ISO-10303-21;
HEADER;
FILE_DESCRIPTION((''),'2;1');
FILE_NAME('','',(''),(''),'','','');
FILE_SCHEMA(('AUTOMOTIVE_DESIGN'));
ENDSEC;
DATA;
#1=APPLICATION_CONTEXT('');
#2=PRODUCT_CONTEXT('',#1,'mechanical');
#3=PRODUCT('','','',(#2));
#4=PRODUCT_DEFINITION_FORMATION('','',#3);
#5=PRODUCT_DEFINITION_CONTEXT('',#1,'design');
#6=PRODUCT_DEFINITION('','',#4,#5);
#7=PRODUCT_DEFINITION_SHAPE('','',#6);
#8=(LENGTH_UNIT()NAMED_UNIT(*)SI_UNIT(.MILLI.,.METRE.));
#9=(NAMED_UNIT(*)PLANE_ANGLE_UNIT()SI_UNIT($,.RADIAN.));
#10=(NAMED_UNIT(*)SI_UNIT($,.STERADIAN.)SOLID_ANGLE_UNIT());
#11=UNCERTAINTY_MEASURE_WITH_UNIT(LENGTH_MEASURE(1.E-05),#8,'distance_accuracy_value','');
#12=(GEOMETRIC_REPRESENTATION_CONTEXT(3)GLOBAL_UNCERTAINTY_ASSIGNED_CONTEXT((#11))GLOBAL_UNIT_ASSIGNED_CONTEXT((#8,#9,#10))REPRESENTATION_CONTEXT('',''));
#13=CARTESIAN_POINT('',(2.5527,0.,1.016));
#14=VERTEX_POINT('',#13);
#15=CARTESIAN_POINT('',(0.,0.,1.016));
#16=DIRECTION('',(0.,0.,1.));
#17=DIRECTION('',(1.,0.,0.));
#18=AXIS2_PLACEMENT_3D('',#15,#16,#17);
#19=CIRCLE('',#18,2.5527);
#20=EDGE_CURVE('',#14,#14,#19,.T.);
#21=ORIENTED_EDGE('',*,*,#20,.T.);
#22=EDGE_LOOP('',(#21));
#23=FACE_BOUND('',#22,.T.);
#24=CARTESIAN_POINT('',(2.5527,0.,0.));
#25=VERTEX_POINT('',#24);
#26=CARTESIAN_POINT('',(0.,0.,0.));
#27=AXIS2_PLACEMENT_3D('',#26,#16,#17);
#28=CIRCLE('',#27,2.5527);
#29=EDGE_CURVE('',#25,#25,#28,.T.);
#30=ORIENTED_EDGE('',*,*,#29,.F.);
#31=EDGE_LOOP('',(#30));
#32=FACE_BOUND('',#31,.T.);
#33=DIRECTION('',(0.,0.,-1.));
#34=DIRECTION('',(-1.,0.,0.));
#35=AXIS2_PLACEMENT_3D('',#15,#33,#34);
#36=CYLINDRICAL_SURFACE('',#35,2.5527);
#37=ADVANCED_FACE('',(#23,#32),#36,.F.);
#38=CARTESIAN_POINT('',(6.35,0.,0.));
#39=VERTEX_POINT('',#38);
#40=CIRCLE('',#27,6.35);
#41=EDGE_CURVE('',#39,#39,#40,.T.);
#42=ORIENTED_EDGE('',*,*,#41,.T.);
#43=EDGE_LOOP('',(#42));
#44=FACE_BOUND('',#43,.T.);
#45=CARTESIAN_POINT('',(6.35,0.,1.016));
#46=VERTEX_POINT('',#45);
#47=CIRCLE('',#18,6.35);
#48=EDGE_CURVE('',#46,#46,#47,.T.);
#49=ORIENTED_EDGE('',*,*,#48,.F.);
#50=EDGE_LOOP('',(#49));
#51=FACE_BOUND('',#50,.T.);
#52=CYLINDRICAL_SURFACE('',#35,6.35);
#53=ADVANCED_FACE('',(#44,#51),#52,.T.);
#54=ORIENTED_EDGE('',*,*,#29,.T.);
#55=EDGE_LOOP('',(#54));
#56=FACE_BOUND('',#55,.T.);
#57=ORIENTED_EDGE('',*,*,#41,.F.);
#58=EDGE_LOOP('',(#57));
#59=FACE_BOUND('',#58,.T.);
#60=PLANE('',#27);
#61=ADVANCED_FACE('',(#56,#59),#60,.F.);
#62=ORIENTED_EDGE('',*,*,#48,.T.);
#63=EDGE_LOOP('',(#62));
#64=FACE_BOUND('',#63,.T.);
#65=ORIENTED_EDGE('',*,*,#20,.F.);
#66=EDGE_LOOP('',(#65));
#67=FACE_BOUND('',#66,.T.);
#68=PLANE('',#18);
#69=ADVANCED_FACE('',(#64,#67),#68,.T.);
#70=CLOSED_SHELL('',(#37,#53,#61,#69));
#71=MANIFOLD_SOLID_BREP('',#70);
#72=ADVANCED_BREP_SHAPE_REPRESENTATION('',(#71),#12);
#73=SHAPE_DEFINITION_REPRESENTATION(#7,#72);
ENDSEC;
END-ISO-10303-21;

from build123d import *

# Parameters (mm, degrees)
SKETCH1_R           = 6.35
SKETCH1_R_2         = 2.5527
BOSS_EXTRUDE1_DEPTH = 1.016


with BuildPart() as part:
    # Sketch1 → Boss-Extrude1 (new body)
    with BuildSketch(Plane.XY):
        Circle(SKETCH1_R)
        Circle(SKETCH1_R_2, mode=Mode.SUBTRACT)
    extrude(amount=BOSS_EXTRUDE1_DEPTH)


solid = part.part
